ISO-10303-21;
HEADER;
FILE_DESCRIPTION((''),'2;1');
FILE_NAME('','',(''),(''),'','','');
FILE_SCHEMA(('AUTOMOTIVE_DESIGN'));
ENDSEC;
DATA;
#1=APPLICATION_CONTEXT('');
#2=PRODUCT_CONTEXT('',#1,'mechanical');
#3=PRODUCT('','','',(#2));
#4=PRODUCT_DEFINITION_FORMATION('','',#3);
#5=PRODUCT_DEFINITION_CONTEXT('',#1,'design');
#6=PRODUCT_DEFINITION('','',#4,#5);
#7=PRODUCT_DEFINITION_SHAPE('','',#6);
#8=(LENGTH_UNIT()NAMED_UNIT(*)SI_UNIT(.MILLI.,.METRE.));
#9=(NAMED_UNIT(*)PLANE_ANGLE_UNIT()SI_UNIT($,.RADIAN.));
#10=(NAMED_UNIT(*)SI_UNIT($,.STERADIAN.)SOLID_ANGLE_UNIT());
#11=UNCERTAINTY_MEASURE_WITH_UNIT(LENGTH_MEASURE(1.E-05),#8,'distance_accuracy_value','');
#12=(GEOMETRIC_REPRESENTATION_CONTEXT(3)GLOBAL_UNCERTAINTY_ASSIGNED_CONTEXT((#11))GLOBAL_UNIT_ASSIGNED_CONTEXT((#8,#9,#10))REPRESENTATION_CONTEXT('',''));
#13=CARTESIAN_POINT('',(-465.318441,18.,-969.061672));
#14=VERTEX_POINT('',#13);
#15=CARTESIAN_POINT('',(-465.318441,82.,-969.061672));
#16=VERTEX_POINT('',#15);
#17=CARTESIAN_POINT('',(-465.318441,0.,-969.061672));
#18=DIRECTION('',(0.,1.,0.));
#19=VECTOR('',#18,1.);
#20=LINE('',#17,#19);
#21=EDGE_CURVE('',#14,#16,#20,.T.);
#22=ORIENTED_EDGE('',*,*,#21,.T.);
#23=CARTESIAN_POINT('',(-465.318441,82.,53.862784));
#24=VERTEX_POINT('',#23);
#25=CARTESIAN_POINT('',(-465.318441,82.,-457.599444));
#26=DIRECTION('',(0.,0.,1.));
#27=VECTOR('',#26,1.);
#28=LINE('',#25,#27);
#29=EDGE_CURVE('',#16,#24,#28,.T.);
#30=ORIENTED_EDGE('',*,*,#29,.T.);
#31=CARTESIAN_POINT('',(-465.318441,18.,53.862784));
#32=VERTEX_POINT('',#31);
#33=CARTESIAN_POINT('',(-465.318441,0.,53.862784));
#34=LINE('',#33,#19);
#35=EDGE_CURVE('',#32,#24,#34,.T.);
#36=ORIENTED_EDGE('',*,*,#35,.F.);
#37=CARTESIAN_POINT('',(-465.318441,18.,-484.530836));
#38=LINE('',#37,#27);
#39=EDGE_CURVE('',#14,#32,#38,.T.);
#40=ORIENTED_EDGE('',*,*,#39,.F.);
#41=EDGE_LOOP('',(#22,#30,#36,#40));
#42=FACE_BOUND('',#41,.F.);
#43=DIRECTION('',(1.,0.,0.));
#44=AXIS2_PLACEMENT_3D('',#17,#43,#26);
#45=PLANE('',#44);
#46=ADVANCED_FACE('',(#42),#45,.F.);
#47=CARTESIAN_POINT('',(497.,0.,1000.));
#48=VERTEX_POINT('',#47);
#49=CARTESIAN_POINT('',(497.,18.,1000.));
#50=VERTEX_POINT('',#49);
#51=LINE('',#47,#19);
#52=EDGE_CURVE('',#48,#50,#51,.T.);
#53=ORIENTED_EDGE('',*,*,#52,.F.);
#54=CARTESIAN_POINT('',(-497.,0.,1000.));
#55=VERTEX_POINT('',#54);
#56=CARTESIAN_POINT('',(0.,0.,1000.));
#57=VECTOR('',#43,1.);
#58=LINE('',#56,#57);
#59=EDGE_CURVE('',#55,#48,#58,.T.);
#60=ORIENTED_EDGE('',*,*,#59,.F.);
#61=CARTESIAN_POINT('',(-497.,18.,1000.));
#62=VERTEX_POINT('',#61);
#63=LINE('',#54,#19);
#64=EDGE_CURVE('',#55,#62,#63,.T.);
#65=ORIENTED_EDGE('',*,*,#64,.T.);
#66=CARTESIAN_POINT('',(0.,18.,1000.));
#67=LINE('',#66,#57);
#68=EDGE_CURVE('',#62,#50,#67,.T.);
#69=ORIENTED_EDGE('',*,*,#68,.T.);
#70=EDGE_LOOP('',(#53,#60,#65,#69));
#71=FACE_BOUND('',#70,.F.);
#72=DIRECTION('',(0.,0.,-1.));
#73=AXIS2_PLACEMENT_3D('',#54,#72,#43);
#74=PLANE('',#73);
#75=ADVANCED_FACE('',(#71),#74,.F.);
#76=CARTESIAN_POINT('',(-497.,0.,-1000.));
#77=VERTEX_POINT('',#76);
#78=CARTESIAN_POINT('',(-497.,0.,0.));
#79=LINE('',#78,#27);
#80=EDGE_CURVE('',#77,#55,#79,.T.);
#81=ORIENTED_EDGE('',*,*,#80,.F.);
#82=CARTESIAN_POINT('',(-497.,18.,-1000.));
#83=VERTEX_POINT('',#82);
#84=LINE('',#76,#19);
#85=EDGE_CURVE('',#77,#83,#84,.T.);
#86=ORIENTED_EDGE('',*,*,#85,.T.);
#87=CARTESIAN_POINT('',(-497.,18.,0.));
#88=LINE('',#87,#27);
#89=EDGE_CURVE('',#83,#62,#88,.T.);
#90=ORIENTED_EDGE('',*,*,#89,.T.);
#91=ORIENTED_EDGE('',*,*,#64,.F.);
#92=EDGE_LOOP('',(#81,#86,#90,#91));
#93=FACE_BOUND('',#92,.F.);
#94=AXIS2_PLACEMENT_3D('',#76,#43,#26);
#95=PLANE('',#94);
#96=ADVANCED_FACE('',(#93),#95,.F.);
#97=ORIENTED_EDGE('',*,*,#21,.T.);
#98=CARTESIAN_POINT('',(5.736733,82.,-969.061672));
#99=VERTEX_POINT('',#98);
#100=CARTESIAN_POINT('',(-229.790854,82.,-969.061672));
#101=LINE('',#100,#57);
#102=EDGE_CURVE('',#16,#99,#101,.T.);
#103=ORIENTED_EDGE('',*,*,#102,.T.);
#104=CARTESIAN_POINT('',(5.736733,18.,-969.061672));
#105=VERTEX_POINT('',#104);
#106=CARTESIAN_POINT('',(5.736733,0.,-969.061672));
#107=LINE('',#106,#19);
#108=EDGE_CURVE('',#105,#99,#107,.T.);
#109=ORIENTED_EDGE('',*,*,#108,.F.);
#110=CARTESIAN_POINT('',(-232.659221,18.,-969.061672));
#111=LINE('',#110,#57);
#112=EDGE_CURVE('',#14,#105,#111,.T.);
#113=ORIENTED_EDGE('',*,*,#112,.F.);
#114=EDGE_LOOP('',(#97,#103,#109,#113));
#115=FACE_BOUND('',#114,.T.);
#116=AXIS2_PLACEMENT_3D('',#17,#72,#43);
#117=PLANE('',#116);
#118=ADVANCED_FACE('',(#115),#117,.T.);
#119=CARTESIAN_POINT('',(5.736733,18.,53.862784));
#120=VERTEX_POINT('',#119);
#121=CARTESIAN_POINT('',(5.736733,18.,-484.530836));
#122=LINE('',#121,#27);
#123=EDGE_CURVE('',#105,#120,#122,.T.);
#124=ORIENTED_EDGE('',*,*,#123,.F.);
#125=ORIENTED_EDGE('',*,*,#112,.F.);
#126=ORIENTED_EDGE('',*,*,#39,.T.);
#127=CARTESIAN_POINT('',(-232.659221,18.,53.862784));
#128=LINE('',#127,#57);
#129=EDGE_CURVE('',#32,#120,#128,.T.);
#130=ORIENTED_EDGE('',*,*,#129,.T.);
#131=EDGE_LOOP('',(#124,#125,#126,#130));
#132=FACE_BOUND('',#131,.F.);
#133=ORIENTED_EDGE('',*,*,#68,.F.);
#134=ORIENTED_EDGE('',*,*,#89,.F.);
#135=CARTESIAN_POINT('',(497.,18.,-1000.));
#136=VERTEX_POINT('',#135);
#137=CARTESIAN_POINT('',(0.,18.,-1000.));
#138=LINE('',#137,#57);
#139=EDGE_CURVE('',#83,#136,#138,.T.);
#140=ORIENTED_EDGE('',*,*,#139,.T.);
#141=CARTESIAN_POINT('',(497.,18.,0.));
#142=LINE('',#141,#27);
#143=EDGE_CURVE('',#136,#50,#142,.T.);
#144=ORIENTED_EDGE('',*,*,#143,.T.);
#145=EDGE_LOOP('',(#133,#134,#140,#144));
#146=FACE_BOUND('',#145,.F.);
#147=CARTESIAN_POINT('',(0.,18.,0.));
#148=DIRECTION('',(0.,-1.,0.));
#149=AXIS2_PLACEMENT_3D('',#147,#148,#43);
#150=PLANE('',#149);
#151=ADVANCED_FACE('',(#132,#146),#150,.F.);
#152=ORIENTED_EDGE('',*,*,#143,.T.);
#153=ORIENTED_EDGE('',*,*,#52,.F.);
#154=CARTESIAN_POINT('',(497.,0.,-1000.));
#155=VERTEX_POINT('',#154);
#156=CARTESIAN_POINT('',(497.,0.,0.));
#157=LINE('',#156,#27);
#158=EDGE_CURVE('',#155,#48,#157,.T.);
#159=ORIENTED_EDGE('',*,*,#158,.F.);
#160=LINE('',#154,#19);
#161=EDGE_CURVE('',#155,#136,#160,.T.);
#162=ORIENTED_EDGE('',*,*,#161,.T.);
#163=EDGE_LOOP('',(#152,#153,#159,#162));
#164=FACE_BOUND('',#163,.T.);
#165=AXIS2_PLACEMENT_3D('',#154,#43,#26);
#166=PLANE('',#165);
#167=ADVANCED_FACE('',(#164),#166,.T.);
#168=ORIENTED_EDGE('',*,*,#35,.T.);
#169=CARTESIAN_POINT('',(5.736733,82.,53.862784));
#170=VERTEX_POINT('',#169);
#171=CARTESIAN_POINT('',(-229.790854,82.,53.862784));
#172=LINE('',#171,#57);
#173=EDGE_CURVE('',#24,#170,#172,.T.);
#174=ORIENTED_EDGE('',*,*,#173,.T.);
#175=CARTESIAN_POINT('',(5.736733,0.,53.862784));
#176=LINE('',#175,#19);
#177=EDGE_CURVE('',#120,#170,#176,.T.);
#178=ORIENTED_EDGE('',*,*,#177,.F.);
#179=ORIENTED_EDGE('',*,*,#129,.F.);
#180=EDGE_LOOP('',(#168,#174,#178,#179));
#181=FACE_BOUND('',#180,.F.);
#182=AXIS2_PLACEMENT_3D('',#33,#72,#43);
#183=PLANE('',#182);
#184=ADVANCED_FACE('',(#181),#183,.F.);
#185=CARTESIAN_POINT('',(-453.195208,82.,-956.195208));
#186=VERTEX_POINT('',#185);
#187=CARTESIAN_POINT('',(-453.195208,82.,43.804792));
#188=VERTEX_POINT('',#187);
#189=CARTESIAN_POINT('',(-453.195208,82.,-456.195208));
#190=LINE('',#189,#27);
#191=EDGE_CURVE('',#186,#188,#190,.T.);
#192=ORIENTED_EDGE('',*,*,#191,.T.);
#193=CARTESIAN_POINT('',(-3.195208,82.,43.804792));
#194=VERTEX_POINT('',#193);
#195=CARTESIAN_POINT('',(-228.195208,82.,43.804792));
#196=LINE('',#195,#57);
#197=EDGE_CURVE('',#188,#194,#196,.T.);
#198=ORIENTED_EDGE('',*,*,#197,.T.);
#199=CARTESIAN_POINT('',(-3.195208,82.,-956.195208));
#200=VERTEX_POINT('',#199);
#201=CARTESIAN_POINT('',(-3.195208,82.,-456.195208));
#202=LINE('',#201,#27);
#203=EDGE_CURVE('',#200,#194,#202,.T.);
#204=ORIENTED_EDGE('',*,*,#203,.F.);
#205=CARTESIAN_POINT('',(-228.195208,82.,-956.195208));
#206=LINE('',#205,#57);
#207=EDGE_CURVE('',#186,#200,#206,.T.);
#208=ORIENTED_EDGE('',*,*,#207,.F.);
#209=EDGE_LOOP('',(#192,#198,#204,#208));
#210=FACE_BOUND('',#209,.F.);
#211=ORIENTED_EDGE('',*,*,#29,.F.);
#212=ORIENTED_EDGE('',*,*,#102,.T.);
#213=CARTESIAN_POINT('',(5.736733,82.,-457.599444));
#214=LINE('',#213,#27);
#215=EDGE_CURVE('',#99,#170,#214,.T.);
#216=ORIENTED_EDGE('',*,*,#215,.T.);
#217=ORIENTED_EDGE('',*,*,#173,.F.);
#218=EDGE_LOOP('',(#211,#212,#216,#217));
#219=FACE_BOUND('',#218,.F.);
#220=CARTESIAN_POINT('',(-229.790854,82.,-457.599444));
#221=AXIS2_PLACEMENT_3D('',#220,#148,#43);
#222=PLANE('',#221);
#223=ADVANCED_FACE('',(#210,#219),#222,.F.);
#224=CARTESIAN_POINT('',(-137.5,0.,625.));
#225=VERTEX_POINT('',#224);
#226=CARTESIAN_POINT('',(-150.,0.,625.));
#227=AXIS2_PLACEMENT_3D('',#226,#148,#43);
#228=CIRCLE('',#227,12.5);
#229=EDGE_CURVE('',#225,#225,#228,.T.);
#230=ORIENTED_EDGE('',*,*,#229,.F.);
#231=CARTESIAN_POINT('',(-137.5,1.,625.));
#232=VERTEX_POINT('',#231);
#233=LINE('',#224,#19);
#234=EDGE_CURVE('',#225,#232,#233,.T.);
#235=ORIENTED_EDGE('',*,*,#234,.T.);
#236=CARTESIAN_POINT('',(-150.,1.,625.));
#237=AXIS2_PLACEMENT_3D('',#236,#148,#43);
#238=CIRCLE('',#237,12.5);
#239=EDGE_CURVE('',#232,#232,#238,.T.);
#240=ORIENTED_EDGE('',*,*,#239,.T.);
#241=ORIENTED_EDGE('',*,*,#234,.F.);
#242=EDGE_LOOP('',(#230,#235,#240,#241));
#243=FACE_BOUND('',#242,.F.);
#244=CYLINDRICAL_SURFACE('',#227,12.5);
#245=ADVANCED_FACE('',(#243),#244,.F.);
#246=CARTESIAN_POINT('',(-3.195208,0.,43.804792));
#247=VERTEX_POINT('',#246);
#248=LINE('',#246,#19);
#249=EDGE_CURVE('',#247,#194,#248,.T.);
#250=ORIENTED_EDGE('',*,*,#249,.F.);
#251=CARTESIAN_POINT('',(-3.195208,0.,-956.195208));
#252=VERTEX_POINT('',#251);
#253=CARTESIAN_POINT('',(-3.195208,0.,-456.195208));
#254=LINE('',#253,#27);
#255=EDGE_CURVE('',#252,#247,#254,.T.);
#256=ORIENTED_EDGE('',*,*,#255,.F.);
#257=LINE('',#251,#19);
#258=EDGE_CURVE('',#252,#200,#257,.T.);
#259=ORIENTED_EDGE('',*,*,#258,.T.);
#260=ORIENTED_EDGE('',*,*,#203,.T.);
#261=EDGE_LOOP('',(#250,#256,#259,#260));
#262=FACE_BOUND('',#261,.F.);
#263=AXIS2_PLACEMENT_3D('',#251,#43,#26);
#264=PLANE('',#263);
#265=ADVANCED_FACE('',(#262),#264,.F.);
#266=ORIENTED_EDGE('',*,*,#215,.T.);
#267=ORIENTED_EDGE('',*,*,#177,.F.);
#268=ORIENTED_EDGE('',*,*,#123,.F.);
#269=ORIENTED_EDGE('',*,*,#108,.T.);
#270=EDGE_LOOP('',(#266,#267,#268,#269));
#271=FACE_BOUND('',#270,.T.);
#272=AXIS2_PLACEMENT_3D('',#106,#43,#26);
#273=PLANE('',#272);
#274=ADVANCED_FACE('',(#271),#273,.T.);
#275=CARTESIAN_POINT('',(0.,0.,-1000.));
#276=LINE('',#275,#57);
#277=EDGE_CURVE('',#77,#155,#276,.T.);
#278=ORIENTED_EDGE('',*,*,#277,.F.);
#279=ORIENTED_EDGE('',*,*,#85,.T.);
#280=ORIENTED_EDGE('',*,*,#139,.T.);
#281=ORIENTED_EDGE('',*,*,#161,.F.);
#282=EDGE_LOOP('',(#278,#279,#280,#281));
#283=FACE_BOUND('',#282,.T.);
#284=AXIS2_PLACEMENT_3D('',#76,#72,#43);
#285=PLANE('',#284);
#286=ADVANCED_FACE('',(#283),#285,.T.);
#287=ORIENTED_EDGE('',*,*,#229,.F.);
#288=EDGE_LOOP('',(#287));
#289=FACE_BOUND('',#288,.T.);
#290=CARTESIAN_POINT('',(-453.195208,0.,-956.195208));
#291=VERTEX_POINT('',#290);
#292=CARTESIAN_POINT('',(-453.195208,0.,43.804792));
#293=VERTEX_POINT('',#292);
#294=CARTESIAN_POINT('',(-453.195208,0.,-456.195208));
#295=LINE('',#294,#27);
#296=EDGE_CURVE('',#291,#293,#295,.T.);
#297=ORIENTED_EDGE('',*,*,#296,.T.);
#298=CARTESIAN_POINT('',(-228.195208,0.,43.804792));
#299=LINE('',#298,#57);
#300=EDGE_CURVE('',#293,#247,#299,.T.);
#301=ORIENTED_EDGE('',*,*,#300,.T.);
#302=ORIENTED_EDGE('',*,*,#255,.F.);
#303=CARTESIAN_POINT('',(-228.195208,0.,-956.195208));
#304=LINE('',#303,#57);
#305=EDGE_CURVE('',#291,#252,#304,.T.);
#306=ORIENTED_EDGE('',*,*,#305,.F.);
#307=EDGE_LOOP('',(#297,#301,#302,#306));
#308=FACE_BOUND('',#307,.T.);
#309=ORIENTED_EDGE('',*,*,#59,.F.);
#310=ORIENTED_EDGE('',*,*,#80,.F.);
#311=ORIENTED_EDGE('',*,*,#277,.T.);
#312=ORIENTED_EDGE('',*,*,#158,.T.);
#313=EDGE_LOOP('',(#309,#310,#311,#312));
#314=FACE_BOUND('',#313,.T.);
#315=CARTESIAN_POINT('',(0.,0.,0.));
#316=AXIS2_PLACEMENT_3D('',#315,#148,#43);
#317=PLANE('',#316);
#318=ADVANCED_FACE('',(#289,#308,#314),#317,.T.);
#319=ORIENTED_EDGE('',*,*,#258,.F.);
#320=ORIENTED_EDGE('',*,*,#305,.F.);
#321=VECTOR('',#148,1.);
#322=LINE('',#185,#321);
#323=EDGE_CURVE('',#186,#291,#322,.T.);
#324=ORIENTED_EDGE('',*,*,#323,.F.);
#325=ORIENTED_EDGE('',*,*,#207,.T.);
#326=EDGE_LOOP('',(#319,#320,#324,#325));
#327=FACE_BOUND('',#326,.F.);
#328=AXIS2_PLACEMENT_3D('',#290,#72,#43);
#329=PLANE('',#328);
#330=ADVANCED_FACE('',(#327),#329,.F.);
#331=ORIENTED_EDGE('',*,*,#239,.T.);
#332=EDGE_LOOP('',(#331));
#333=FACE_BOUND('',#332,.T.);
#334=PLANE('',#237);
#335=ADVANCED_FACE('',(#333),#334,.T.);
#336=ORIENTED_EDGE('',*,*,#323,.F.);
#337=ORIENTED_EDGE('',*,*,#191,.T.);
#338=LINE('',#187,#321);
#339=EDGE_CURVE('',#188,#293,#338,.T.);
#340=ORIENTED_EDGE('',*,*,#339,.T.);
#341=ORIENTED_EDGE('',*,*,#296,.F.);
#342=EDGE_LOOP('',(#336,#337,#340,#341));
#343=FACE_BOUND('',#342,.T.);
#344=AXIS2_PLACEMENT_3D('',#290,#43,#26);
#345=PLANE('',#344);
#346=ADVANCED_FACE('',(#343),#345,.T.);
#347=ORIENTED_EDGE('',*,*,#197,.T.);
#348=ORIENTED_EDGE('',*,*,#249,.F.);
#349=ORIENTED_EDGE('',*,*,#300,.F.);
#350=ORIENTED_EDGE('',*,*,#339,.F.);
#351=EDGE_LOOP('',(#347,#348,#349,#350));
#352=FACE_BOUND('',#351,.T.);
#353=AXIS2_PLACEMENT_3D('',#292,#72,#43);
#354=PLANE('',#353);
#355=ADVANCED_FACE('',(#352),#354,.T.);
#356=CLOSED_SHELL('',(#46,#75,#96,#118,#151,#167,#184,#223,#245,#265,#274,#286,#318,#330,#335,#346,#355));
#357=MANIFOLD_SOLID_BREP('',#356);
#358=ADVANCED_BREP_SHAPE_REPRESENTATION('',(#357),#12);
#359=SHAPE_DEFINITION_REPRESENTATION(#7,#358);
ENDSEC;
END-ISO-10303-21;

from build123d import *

# Parameters (mm, degrees)
F0_W     = 994
F0_H     = 2000
F1_DEPTH = 18
F2_R     = 12.5
F3_DEPTH = 1
F4_W     = 450
F4_H     = 1000
F5_DEPTH = 82
F6_W     = 471.055174
F6_H     = 1022.924457
F6_W_2   = 450
F6_H_2   = 1000
F7_DEPTH = 82


with BuildPart() as f1:
    # F0 (on Front) → F1 (new body)
    with BuildSketch(Plane.XZ):
        Rectangle(F0_W, F0_H)
    extrude(amount=-F1_DEPTH)

    # F2 (on face) → F3 (cut)
    with BuildSketch(Plane.XZ):
        with Locations((-150, 625)):
            Circle(F2_R)
    extrude(amount=-F3_DEPTH, mode=Mode.SUBTRACT)

    # F4 (on face) → F5 (cut)
    with BuildSketch(Plane.XZ):
        with Locations((-228.195208, -456.195208)):
            Rectangle(F4_W, F4_H)
    extrude(amount=-F5_DEPTH, mode=Mode.SUBTRACT)

    # F6 (on face) → F7 (join)
    with BuildSketch(Plane.XZ):
        with Locations((-229.790854, -457.599444)):
            Rectangle(F6_W, F6_H)
        with Locations((-228.195208, -456.195208)):
            Rectangle(F6_W_2, F6_H_2, mode=Mode.SUBTRACT)
    extrude(amount=-F7_DEPTH)


solid = f1.part
